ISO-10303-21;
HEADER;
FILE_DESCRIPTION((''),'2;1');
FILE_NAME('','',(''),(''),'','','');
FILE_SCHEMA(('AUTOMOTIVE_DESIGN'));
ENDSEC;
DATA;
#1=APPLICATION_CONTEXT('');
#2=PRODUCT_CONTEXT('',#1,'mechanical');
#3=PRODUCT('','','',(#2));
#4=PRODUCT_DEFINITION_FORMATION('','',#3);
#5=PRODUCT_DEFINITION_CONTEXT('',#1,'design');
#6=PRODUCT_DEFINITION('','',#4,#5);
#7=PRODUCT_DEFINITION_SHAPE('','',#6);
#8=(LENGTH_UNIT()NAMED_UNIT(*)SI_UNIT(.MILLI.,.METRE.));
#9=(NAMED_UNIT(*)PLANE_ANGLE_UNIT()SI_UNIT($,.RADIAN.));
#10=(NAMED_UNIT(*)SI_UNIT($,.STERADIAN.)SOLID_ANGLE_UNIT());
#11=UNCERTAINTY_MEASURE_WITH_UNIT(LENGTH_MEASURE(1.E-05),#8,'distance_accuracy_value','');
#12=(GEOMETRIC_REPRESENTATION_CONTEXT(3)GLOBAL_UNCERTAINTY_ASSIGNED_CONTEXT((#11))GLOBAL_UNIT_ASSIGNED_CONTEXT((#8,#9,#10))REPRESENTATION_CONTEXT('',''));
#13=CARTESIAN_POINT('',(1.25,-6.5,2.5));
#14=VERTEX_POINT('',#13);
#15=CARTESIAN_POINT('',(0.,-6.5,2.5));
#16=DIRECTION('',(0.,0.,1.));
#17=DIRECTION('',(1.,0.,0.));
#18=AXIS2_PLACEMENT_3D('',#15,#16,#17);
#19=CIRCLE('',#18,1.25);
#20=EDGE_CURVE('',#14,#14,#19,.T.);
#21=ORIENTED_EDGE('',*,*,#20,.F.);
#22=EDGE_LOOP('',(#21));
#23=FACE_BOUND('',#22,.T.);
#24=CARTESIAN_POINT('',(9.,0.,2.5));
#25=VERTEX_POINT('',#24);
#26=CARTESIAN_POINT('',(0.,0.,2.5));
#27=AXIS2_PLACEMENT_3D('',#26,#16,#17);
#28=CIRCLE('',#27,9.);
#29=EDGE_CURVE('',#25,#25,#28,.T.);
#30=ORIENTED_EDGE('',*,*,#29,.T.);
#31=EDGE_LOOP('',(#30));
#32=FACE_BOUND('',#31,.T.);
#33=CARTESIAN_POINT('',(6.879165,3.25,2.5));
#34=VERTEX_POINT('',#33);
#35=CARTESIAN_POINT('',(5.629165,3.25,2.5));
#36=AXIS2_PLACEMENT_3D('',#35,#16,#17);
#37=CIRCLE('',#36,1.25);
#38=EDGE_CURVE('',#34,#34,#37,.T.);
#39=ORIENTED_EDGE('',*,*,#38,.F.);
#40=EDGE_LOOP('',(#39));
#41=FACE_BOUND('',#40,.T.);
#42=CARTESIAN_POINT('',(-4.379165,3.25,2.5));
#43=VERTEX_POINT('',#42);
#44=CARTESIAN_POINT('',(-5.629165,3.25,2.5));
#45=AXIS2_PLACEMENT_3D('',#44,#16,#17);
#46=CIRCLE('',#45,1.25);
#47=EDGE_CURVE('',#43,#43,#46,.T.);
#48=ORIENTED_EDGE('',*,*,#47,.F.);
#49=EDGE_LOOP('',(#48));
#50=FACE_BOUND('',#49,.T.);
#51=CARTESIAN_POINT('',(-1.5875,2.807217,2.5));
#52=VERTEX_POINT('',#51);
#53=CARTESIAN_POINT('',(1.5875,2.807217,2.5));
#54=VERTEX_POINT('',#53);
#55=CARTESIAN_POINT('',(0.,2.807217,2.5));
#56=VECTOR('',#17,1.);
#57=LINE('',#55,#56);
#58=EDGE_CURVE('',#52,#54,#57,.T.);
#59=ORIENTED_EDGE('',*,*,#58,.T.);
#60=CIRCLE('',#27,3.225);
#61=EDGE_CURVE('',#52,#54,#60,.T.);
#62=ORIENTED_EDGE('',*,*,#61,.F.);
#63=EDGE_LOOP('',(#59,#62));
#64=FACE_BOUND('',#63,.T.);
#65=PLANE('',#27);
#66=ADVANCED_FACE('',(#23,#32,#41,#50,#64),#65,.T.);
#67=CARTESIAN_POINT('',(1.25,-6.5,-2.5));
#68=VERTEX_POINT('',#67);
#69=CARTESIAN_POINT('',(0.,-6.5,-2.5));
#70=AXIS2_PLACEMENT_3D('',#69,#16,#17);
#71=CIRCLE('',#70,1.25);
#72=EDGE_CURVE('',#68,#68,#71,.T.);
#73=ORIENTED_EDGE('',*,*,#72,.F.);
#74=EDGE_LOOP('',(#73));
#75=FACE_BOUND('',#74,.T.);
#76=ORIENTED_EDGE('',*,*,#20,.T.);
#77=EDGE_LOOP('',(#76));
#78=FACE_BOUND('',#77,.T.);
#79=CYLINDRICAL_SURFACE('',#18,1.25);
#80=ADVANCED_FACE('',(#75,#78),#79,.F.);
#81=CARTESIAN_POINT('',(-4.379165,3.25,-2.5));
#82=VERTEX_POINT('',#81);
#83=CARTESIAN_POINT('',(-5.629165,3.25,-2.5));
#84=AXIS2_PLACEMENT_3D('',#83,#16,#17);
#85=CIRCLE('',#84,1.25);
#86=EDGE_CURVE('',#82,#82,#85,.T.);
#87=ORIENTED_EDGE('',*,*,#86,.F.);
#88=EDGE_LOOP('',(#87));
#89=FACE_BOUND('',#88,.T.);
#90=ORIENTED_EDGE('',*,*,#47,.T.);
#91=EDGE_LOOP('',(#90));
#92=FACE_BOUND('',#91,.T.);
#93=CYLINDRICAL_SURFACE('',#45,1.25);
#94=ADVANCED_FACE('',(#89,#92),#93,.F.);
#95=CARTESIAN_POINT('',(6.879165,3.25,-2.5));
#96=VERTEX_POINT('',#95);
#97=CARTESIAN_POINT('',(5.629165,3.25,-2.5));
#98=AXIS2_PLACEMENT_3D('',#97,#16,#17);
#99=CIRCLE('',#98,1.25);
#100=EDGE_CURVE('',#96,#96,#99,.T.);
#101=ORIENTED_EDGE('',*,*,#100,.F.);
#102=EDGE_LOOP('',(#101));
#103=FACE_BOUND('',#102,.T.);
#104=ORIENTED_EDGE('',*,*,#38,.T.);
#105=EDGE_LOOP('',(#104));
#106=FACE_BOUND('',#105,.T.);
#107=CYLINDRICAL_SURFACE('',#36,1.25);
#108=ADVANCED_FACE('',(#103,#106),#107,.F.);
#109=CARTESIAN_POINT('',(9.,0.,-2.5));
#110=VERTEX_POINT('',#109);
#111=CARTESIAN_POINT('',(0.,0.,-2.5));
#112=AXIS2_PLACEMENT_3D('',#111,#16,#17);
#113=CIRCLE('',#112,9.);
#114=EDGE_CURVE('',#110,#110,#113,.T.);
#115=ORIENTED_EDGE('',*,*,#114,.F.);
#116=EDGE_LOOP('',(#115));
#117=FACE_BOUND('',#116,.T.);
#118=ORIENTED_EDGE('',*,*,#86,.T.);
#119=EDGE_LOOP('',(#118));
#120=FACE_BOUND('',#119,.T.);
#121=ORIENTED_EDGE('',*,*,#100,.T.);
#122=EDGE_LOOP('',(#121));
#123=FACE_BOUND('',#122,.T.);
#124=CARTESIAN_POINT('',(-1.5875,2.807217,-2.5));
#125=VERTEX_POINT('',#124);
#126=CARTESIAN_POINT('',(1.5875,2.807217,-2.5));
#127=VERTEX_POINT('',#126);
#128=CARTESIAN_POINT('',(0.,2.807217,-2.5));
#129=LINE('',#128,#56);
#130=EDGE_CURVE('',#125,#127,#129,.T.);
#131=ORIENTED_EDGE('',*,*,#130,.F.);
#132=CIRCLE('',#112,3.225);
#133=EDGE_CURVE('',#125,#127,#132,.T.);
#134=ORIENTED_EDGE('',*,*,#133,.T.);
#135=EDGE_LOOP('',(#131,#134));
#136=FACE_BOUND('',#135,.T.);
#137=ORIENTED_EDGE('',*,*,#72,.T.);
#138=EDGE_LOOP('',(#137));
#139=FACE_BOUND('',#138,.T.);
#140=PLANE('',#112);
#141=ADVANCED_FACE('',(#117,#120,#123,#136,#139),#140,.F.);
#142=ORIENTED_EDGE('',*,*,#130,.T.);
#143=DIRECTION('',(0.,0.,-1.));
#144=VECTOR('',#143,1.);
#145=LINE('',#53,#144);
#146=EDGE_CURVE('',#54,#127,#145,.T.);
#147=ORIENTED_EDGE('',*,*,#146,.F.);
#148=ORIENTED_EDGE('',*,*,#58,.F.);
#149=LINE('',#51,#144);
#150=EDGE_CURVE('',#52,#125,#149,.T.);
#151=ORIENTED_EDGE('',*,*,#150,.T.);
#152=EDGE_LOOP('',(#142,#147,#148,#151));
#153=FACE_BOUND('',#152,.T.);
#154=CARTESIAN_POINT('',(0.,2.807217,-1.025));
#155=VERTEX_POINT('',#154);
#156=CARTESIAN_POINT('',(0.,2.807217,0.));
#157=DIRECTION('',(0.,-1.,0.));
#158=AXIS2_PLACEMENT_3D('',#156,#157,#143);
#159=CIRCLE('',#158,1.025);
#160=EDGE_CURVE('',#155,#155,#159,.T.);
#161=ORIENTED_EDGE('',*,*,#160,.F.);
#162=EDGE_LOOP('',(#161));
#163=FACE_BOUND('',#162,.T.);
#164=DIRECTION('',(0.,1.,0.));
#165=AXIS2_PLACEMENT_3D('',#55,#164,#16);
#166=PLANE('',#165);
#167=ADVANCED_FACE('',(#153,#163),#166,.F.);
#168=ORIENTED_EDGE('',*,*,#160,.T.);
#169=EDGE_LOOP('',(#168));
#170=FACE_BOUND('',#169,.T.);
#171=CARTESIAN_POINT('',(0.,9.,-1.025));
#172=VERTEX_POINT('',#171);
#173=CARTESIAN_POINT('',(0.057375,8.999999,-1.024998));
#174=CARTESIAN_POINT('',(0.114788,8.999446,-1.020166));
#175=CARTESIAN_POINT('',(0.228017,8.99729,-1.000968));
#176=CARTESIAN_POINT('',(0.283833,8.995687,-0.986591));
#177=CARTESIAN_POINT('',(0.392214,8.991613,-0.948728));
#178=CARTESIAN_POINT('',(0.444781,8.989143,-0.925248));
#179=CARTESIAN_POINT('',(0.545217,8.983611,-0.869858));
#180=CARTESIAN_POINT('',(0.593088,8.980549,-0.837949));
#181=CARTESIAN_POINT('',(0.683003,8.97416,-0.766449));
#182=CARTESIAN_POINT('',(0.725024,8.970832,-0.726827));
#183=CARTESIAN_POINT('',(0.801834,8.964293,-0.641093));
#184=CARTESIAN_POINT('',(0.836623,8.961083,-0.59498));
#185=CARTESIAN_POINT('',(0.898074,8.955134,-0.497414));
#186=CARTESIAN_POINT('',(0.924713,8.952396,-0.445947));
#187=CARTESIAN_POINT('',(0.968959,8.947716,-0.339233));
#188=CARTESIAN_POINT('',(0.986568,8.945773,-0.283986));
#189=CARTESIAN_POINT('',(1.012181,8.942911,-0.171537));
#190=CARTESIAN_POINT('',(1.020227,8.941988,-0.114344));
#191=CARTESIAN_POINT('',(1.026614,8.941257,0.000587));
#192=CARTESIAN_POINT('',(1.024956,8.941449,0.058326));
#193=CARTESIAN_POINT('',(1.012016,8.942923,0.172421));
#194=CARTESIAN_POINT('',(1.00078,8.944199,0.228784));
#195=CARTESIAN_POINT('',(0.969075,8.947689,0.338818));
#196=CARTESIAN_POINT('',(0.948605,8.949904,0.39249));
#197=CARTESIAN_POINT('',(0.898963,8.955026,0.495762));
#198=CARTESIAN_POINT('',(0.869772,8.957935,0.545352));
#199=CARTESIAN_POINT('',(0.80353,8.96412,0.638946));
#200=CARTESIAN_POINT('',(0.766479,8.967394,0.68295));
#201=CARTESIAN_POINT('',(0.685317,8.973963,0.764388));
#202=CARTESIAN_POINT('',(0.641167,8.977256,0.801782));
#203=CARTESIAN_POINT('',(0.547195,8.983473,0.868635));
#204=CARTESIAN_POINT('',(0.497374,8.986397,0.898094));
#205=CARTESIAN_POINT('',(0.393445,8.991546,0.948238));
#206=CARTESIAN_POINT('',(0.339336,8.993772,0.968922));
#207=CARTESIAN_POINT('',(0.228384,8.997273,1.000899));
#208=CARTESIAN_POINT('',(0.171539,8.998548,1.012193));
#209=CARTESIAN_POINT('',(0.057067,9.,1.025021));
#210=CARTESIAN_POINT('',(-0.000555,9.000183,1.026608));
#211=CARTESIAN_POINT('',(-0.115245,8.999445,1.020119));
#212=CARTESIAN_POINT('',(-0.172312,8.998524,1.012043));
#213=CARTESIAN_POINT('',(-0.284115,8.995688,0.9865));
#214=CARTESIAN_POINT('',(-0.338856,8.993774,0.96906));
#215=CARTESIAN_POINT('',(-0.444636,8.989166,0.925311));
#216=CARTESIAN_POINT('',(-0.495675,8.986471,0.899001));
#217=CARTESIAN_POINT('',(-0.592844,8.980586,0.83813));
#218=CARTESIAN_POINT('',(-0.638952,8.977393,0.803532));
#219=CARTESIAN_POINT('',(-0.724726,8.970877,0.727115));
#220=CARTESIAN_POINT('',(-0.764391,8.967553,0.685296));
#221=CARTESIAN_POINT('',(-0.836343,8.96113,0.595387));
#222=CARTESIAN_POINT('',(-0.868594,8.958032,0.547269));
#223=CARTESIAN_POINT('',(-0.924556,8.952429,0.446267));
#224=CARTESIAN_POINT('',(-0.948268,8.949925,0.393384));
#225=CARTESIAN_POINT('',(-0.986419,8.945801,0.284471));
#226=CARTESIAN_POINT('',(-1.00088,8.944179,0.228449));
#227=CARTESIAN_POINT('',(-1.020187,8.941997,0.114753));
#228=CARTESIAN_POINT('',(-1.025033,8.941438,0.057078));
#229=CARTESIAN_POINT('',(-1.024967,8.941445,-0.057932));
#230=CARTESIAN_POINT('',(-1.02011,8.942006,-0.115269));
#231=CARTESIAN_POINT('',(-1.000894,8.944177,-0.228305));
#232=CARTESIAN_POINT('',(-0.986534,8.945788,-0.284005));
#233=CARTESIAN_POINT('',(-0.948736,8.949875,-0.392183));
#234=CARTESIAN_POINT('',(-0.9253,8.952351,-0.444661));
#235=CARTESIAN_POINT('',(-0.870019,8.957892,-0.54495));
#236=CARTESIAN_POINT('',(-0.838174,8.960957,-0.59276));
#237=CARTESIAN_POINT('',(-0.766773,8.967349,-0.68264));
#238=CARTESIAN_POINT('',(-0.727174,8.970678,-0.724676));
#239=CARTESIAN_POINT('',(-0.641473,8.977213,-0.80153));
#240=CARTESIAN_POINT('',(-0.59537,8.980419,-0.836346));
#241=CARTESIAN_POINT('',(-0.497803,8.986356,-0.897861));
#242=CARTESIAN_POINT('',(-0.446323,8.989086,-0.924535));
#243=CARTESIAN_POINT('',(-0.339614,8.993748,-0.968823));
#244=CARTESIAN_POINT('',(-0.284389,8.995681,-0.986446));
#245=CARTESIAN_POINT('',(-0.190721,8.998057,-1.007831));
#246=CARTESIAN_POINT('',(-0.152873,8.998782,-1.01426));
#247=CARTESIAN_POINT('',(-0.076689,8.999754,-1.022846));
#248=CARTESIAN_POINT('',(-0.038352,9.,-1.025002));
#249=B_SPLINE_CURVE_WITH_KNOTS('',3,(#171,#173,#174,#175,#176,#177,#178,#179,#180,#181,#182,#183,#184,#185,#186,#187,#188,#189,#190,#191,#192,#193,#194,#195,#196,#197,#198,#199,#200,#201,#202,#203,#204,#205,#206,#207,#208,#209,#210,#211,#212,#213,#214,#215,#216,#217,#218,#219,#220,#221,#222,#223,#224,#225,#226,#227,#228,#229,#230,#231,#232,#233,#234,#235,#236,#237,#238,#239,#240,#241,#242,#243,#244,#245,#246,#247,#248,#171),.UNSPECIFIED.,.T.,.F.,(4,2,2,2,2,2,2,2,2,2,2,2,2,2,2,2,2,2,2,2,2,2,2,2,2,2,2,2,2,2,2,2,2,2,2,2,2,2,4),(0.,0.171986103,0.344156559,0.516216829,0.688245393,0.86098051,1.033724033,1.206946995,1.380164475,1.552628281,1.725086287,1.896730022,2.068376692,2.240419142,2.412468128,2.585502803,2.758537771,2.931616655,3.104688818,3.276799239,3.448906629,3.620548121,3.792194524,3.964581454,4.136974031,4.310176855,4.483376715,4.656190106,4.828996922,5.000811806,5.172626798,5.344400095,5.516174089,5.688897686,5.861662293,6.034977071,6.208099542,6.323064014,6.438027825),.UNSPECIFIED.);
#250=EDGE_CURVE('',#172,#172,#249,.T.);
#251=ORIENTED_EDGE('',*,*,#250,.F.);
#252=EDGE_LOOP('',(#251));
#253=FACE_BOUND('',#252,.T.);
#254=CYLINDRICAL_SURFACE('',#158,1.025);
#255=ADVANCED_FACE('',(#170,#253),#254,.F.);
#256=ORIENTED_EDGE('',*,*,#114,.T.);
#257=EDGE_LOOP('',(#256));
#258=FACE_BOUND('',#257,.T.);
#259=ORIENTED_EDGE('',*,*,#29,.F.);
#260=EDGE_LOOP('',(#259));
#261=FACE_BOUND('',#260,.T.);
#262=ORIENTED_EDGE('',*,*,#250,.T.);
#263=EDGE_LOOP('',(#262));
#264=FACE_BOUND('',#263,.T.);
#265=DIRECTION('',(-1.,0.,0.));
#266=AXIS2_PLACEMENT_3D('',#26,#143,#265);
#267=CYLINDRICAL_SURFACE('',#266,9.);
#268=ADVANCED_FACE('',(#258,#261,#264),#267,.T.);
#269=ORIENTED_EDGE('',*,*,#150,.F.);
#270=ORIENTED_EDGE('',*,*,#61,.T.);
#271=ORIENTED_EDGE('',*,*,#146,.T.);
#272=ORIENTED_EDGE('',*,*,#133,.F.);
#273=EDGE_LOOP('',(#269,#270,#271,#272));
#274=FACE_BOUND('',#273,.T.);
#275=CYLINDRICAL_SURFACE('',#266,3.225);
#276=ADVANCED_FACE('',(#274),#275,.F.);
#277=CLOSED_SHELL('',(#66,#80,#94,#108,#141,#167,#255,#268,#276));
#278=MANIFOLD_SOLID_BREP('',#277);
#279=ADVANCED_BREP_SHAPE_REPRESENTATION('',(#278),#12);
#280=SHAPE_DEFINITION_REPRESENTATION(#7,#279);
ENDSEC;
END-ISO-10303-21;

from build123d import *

# Parameters (mm, degrees)
SKETCH1_R              = 9
BOSS_EXTRUDE1_DEPTH    = 2.5
M2_5_CLEARANCE_HOLE2_D = 2.5
CIRPATTERN1_COUNT      = 3
SKETCH7_W              = 1.025
SKETCH7_H              = 6.192782739


with BuildPart() as part:
    # Sketch1 → Boss-Extrude1 (new body, symmetric)
    with BuildSketch(Plane.XY):
        Circle(SKETCH1_R)
        with BuildLine():
            Line((-1.5875, 2.807217261), (1.5875, 2.807217261))
            ThreePointArc((1.5875, 2.807217261), (0, -3.225), (-1.5875, 2.807217261))
        make_face(mode=Mode.SUBTRACT)
    extrude(amount=BOSS_EXTRUDE1_DEPTH, both=True)

    # M2.5 Clearance Hole2 (through all)
    with Locations(Plane.XY.offset(2.5)):
        with Locations((0, -6.5)):
            m2_5_clearance_hole2 = Hole(M2_5_CLEARANCE_HOLE2_D / 2)

    # CirPattern1: M2.5 Clearance Hole2 ×3 about axis
    cirpattern1_axis = Axis((0, 0, 0), (0, 0, 1))
    for i in range(1, CIRPATTERN1_COUNT):
        add(m2_5_clearance_hole2.rotate(cirpattern1_axis, i * 360 / CIRPATTERN1_COUNT), mode=Mode.SUBTRACT)

    # Sketch7 → M2.5x0.45 Tapped Hole1 (revolve, cut)
    with BuildSketch(Plane(origin=(0, 2.807217261, 0), x_dir=(0, 0, -1), z_dir=(1, 0, 0))):
        with Locations((0.5125, 3.09639137)):
            Rectangle(SKETCH7_W, SKETCH7_H)
    revolve(axis=Axis((0, -3.542782739, 0), (0, 1, 0)), mode=Mode.SUBTRACT)


solid = part.part
